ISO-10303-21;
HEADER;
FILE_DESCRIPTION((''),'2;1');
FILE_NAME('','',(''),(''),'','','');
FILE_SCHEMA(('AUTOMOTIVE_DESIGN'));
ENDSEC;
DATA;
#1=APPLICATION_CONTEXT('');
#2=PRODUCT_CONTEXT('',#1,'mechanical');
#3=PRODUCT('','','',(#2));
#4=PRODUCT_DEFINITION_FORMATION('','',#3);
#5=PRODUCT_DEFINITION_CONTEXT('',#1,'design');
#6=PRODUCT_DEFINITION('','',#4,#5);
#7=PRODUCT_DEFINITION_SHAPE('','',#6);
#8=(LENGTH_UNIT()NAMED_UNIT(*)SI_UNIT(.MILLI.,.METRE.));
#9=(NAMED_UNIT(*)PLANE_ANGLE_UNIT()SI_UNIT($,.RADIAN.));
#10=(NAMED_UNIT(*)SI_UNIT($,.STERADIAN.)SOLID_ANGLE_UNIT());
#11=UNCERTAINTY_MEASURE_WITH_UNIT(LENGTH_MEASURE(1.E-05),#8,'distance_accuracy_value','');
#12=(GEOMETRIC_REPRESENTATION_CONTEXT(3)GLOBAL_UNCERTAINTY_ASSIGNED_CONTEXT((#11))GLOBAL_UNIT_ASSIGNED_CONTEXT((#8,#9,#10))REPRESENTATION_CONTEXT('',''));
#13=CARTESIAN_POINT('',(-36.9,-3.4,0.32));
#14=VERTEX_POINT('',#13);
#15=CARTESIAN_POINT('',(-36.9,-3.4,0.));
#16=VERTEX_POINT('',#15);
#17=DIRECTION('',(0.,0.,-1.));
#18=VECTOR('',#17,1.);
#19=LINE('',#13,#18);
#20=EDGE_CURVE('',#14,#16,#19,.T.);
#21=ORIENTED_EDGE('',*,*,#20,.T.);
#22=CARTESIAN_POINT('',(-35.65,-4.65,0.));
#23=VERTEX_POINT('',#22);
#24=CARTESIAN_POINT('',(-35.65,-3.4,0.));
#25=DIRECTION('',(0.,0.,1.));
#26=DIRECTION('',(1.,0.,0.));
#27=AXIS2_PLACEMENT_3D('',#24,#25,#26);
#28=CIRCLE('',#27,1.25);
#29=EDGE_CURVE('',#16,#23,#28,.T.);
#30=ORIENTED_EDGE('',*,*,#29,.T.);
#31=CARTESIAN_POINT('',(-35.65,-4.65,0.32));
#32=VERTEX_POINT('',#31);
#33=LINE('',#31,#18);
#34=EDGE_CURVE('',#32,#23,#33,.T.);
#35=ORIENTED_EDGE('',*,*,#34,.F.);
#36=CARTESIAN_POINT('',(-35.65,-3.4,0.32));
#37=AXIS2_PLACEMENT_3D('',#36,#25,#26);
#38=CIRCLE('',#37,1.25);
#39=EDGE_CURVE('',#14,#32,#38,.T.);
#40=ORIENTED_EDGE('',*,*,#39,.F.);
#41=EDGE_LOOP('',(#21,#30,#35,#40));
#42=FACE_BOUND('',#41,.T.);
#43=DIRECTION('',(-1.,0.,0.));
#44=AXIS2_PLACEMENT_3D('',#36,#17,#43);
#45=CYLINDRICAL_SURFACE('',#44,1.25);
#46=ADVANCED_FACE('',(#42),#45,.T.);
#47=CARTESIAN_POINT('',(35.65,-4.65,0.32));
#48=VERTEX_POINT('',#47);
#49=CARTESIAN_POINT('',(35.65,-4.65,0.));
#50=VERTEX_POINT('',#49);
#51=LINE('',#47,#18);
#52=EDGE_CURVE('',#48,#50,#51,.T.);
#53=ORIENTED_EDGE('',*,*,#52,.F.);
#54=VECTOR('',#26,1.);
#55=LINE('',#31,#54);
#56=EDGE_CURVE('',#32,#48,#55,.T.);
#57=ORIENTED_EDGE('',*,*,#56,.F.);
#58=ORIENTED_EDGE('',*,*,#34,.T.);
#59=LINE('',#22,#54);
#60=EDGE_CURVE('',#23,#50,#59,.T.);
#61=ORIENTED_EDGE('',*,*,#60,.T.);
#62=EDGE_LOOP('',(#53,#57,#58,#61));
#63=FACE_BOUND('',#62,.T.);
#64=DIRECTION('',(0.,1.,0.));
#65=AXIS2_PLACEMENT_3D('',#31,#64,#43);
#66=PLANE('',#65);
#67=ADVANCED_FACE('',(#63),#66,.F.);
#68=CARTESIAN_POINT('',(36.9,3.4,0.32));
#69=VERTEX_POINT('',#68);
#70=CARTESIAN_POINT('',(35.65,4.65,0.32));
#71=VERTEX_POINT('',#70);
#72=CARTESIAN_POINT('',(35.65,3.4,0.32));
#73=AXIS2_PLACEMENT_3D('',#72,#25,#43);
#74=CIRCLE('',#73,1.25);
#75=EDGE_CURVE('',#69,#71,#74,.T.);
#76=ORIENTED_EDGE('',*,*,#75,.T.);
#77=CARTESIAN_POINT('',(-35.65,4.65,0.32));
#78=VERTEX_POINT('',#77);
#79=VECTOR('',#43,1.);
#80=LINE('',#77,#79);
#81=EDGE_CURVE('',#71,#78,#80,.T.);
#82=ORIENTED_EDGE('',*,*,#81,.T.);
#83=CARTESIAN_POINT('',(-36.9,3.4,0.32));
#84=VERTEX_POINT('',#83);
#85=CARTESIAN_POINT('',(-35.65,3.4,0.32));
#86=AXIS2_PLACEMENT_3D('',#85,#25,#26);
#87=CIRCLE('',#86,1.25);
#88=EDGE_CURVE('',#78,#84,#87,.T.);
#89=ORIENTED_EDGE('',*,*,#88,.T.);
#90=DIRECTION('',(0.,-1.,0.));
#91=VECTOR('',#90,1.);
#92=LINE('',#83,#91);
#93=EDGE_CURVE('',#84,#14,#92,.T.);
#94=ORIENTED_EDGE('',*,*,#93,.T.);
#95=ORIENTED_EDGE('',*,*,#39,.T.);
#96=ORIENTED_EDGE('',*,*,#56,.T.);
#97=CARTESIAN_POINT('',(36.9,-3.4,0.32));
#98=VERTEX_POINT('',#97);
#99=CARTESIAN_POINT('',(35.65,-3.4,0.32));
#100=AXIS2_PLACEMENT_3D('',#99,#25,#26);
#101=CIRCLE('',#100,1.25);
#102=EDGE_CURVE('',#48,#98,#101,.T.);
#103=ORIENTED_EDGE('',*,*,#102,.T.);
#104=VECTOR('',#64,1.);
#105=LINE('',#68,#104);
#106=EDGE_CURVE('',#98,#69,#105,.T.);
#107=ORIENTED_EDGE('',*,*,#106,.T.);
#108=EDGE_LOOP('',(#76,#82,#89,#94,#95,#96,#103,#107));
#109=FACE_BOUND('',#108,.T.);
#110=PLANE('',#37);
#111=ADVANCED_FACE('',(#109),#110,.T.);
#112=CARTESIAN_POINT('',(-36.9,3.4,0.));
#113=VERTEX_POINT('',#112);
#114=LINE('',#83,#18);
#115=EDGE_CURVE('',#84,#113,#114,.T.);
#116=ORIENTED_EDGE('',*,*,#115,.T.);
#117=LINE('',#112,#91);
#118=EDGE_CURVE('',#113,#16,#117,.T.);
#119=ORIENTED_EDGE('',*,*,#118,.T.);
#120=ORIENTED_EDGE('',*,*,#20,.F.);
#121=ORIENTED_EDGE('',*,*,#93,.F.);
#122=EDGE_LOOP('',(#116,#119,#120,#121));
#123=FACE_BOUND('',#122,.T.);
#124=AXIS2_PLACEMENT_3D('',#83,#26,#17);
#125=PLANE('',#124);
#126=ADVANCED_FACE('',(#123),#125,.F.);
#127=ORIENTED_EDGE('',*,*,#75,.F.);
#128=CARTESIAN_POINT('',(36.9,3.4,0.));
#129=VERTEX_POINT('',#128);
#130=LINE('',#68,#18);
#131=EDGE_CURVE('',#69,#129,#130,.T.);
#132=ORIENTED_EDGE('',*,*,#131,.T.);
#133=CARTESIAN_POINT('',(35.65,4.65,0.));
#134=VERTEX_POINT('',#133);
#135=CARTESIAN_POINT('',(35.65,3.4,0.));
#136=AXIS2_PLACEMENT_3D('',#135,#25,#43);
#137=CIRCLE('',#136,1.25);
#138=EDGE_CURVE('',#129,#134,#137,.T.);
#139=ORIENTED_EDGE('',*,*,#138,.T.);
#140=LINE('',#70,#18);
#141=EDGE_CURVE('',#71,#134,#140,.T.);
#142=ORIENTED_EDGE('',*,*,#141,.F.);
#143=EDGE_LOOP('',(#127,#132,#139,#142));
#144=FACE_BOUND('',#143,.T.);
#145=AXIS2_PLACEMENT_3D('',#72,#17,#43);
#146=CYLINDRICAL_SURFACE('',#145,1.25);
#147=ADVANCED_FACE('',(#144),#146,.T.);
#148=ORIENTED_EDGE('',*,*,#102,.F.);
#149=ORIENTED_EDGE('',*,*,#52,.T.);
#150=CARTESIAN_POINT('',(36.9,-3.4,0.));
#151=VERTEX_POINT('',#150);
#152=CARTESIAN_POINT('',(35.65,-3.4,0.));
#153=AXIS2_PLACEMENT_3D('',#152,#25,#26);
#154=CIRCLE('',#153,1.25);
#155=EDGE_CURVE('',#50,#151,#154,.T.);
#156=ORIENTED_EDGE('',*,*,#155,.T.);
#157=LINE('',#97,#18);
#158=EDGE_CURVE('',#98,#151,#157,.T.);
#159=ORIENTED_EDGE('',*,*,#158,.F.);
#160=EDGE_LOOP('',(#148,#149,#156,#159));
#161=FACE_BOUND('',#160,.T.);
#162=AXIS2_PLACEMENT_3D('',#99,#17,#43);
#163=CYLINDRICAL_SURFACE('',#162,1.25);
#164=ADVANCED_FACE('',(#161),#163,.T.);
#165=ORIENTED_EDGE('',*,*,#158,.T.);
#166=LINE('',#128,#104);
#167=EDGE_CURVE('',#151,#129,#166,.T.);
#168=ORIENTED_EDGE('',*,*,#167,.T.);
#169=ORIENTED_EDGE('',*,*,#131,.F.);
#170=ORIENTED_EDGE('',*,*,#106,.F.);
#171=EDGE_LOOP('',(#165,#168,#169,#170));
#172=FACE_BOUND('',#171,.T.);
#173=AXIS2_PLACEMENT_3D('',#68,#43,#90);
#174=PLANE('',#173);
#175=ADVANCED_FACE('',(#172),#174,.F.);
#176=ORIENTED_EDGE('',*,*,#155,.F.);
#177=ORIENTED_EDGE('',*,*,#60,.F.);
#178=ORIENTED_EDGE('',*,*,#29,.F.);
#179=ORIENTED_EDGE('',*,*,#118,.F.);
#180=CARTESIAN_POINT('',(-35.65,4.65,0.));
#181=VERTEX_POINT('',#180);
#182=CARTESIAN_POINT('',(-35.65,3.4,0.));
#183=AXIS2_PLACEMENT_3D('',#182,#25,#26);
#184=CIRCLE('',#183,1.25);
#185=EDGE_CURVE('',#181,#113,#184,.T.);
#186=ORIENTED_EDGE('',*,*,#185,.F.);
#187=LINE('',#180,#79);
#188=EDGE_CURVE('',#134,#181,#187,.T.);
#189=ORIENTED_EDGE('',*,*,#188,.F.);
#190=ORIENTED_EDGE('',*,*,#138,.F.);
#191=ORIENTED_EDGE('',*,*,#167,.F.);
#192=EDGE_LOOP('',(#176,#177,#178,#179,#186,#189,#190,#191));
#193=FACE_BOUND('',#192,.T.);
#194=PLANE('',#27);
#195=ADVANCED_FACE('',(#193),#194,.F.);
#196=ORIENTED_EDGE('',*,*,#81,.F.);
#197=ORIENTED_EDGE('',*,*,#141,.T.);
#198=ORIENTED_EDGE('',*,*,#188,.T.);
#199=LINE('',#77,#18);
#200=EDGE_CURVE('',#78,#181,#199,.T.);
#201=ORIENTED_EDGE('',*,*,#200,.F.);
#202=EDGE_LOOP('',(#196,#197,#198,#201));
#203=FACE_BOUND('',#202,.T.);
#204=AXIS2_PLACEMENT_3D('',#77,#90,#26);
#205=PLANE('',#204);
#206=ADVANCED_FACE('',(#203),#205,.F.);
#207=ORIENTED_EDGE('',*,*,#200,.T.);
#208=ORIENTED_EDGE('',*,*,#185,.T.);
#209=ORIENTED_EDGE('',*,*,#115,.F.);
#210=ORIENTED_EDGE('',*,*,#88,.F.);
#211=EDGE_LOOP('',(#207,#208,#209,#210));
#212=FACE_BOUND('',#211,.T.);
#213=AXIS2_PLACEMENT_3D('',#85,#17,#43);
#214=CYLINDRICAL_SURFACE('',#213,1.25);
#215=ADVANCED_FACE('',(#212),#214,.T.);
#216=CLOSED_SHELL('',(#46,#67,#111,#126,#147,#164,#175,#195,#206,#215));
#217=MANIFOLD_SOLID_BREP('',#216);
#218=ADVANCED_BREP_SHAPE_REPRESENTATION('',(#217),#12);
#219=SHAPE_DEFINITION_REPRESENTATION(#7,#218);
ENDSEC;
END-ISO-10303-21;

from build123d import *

# Parameters (mm, degrees)
BOSS_EXTRUDE1_DEPTH = 0.32


with BuildPart() as part:
    # Sketch1 → Boss-Extrude1 (new body)
    with BuildSketch(Plane.XY):
        with BuildLine():
            Line((-35.65, 4.65), (35.65, 4.65))
            ThreePointArc((35.65, 4.65), (36.533883476, 4.283883476), (36.9, 3.4))
            Line((36.9, 3.4), (36.9, -3.4))
            ThreePointArc((36.9, -3.4), (36.533883476, -4.283883476), (35.65, -4.65))
            Line((35.65, -4.65), (-35.65, -4.65))
            ThreePointArc((-35.65, -4.65), (-36.533883476, -4.283883476), (-36.9, -3.4))
            Line((-36.9, -3.4), (-36.9, 3.4))
            ThreePointArc((-36.9, 3.4), (-36.533883476, 4.283883476), (-35.65, 4.65))
        make_face()
    extrude(amount=BOSS_EXTRUDE1_DEPTH)


solid = part.part
